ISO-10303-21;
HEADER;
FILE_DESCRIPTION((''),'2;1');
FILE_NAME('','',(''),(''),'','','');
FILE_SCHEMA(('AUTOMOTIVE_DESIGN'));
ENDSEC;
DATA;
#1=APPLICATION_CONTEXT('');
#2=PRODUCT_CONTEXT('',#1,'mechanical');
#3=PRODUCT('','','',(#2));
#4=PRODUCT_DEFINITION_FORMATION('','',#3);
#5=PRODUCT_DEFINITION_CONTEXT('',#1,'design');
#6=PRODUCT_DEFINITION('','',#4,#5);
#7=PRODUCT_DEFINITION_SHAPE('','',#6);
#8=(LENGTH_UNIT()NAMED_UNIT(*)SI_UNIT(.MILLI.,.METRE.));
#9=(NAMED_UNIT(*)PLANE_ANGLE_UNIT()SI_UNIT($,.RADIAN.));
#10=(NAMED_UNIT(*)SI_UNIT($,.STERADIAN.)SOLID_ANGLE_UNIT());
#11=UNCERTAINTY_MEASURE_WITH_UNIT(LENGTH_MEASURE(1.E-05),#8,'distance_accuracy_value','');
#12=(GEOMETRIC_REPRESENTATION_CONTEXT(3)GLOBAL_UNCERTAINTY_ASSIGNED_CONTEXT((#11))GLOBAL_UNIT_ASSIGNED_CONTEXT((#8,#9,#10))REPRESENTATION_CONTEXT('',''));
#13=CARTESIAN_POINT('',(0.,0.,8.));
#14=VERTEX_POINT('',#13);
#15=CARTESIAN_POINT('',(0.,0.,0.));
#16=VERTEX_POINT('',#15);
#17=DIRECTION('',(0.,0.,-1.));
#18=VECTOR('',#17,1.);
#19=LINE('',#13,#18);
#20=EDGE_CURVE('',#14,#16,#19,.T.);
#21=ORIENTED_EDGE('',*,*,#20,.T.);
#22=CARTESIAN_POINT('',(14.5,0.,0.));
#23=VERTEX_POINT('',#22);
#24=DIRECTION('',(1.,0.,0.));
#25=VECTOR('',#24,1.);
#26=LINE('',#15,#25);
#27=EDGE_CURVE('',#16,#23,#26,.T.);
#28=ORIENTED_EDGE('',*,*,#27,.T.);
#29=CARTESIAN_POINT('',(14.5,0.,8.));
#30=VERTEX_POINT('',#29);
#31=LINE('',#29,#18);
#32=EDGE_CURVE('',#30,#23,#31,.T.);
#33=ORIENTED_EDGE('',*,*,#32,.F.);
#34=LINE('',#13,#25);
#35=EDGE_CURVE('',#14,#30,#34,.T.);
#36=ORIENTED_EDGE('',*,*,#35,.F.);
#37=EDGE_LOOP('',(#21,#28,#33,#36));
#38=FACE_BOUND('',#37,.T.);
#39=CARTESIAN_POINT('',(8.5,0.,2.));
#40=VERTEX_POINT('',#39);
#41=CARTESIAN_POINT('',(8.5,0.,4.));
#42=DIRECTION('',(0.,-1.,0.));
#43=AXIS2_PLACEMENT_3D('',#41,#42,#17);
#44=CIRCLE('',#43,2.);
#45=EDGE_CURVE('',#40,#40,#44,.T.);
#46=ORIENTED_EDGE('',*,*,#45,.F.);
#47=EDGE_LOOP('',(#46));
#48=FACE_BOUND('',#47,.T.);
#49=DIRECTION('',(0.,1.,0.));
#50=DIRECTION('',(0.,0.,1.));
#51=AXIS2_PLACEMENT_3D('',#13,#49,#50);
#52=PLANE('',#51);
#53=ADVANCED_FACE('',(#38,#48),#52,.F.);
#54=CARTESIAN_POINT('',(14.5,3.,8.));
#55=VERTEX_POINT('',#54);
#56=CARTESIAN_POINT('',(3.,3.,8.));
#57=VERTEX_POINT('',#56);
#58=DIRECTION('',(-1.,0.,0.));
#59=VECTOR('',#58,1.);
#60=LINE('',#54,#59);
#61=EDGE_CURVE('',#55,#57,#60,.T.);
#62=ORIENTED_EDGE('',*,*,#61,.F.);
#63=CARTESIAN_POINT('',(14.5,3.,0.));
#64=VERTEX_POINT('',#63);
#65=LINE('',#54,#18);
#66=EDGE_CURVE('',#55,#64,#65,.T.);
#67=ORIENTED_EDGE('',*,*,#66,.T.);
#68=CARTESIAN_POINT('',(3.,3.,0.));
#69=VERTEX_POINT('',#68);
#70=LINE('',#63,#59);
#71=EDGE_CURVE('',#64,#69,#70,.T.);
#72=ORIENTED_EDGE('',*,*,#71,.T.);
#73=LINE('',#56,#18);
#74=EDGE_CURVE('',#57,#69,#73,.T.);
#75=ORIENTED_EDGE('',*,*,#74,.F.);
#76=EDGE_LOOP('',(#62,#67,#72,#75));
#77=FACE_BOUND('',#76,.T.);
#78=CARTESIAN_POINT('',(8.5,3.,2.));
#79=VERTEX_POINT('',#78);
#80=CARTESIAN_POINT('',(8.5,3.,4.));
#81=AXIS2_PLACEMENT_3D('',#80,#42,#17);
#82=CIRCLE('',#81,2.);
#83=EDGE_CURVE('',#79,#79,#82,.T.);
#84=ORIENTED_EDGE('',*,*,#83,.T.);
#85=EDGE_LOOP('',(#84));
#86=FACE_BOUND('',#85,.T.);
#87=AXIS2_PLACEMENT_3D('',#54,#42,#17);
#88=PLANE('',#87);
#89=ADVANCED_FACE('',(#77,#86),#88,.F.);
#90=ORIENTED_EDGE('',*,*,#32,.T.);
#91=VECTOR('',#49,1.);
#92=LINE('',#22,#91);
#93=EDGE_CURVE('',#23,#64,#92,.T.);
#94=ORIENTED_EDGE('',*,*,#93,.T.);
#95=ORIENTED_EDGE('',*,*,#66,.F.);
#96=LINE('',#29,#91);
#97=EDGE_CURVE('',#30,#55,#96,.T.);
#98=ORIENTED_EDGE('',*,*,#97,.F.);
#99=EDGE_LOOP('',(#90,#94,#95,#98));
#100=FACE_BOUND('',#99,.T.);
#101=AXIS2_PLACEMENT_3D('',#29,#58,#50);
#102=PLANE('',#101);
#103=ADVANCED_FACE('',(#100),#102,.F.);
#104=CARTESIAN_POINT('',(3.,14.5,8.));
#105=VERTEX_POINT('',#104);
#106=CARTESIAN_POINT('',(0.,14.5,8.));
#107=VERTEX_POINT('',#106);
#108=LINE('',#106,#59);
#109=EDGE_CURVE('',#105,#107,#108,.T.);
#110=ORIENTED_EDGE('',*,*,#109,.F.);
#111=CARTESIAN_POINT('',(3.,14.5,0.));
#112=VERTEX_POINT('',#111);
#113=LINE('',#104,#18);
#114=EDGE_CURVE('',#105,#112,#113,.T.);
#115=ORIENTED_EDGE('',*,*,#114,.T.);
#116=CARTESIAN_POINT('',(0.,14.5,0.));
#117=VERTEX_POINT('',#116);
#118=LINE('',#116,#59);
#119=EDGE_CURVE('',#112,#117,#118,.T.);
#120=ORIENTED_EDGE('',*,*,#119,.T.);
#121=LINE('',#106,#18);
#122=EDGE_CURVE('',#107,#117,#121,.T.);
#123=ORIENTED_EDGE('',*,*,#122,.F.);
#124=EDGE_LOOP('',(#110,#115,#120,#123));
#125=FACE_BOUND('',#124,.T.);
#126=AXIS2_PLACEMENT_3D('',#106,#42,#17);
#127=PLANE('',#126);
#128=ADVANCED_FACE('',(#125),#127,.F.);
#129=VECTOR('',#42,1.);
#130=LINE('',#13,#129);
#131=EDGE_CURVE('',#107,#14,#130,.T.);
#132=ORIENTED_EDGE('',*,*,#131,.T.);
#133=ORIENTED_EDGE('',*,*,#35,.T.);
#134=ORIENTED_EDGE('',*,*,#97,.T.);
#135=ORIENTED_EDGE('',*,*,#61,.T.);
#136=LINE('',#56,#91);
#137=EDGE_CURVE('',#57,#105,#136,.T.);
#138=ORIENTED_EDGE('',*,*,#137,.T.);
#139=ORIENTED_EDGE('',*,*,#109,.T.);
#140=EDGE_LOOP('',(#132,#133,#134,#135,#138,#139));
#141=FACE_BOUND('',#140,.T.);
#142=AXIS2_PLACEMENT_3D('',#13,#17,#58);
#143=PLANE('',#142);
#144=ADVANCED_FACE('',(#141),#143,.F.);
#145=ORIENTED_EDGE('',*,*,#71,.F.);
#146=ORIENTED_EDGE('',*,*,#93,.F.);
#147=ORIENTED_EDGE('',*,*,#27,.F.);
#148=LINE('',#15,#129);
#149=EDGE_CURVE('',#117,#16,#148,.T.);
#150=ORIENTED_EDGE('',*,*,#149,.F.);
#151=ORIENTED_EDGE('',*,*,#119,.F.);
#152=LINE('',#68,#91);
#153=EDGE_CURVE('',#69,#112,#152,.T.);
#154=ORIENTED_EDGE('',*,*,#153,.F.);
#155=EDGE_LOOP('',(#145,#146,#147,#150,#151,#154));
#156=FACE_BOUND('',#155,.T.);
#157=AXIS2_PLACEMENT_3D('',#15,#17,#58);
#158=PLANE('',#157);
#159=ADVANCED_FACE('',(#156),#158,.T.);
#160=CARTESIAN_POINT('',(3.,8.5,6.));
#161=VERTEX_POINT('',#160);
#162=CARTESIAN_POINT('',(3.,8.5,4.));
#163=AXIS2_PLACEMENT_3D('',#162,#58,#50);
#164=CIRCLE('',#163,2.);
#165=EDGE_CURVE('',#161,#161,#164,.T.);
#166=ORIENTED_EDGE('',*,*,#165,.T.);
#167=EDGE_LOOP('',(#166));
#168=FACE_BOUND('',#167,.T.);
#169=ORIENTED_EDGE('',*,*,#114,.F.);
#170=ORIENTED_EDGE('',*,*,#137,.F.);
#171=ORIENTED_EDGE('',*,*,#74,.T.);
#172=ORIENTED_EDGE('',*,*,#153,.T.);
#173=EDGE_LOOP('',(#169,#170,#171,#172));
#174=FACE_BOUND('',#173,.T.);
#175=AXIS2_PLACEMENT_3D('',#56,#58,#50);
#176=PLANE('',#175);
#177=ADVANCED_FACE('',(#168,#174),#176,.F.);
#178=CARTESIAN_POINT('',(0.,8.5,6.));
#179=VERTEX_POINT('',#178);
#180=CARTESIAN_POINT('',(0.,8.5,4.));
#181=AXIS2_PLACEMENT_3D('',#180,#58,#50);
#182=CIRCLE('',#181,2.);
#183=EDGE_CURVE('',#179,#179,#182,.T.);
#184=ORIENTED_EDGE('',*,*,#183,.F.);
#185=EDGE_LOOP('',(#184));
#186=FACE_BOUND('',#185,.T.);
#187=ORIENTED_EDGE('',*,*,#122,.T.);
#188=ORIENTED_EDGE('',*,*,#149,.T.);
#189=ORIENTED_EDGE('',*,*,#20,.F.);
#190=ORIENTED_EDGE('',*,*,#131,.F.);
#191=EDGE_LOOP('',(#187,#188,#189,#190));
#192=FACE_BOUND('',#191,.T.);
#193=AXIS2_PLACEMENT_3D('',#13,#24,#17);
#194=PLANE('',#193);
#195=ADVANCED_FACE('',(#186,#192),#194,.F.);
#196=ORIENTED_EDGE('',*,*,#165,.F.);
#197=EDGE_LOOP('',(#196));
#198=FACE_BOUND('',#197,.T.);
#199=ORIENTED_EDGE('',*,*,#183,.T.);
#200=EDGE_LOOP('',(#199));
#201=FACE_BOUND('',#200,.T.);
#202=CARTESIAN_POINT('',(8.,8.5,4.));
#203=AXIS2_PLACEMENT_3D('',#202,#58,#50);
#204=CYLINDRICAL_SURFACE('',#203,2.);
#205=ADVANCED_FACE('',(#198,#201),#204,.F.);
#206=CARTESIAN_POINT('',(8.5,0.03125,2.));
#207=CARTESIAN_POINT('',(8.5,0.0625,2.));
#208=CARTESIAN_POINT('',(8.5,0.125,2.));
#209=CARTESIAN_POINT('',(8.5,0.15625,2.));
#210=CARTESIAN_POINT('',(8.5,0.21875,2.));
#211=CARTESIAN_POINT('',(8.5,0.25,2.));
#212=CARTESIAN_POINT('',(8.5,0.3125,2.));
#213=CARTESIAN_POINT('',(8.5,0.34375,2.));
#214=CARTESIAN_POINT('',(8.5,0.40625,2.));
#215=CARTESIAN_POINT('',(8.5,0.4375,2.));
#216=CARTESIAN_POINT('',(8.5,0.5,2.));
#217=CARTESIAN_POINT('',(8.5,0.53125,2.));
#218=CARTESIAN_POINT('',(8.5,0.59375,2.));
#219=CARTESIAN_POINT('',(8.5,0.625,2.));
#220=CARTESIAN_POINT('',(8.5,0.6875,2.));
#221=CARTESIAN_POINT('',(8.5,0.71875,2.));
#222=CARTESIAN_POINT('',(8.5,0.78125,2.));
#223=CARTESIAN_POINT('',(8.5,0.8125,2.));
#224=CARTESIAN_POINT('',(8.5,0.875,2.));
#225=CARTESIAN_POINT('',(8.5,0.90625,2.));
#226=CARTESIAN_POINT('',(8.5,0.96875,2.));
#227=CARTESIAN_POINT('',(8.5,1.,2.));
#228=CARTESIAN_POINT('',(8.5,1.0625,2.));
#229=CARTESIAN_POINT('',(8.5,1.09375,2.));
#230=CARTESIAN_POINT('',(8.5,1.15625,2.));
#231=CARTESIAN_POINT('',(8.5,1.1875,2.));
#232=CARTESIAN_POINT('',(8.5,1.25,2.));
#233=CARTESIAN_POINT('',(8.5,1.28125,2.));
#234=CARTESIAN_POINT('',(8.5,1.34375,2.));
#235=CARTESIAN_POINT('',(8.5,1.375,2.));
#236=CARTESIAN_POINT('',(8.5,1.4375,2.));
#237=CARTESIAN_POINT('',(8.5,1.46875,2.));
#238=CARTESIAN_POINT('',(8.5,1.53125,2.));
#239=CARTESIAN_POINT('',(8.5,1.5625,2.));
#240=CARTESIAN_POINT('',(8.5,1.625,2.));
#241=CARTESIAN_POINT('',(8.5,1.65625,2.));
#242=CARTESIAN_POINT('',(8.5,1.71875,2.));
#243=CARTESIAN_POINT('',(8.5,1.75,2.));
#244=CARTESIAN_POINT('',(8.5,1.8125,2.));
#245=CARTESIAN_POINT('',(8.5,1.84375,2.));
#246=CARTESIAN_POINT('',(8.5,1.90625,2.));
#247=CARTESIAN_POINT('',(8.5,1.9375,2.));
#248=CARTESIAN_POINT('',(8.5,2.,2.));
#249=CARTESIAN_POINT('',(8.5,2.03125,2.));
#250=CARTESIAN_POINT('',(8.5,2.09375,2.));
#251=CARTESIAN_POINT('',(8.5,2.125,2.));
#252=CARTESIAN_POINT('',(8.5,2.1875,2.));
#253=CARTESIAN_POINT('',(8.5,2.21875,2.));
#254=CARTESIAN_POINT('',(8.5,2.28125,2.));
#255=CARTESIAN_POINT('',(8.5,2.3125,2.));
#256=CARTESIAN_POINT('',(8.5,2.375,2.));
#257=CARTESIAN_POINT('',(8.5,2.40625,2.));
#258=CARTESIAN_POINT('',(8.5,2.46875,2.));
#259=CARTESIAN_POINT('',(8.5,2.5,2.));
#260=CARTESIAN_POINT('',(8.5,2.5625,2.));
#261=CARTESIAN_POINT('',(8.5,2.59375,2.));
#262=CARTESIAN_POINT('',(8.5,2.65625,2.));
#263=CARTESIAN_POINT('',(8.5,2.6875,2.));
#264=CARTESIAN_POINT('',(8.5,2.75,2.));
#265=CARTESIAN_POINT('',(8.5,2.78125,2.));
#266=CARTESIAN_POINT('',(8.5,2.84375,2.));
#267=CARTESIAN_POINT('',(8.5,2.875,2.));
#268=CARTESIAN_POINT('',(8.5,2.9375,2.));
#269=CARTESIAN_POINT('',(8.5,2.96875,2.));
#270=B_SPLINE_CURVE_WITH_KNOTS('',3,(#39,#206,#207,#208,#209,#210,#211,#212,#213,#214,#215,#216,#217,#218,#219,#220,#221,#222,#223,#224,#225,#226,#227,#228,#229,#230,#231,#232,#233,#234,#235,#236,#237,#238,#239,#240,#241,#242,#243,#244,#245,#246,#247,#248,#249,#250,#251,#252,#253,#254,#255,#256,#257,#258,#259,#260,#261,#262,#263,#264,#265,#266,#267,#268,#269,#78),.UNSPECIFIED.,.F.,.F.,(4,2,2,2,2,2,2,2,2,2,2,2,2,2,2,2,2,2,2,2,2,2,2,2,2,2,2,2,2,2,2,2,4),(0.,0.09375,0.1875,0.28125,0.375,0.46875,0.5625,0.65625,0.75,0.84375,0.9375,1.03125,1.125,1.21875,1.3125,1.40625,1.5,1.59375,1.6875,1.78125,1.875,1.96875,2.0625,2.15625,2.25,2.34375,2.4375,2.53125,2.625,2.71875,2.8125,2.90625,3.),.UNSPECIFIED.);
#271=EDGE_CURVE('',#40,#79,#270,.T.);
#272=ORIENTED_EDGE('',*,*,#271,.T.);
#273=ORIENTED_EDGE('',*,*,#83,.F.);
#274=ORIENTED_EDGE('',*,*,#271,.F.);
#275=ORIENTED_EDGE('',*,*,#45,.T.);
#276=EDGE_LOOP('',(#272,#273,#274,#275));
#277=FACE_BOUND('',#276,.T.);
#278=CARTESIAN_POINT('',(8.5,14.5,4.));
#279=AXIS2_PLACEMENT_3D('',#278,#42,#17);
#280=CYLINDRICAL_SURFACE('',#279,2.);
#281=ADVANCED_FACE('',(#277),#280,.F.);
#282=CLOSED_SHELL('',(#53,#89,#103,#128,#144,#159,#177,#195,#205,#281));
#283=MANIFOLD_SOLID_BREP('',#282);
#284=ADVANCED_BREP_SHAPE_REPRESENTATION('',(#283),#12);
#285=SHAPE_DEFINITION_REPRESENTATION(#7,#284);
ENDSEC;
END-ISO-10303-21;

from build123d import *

# Parameters (mm, degrees)
EXTRUDE_1_DEPTH     = 8
SKETCH_2_R          = 2
CUT_EXTRUDE_1_DEPTH = 23.011360703
SKETCH_3_R          = 2
CUT_EXTRUDE_3_DEPTH = 8


with BuildPart() as part:
    # 草图1 → 凸台-拉伸1 (new body)
    with BuildSketch(Plane.XY):
        Polygon((0, 0), (14.5, 0), (14.5, 3), (3, 3), (3, 14.5), (0, 14.5), align=None)
    extrude(amount=EXTRUDE_1_DEPTH)

    # 草图2 → 切除-拉伸1 (cut, through all)
    with BuildSketch(Plane.XZ):
        with Locations(Location((8.5, 4, 0), (0, 0, 270))):
            Circle(SKETCH_2_R)
    extrude(amount=-CUT_EXTRUDE_1_DEPTH, mode=Mode.SUBTRACT)

    # 草图3 → 切除-拉伸3 (cut)
    with BuildSketch(Plane.ZY):
        with Locations((4, 8.5)):
            Circle(SKETCH_3_R)
    extrude(amount=-CUT_EXTRUDE_3_DEPTH, mode=Mode.SUBTRACT)


solid = part.part
